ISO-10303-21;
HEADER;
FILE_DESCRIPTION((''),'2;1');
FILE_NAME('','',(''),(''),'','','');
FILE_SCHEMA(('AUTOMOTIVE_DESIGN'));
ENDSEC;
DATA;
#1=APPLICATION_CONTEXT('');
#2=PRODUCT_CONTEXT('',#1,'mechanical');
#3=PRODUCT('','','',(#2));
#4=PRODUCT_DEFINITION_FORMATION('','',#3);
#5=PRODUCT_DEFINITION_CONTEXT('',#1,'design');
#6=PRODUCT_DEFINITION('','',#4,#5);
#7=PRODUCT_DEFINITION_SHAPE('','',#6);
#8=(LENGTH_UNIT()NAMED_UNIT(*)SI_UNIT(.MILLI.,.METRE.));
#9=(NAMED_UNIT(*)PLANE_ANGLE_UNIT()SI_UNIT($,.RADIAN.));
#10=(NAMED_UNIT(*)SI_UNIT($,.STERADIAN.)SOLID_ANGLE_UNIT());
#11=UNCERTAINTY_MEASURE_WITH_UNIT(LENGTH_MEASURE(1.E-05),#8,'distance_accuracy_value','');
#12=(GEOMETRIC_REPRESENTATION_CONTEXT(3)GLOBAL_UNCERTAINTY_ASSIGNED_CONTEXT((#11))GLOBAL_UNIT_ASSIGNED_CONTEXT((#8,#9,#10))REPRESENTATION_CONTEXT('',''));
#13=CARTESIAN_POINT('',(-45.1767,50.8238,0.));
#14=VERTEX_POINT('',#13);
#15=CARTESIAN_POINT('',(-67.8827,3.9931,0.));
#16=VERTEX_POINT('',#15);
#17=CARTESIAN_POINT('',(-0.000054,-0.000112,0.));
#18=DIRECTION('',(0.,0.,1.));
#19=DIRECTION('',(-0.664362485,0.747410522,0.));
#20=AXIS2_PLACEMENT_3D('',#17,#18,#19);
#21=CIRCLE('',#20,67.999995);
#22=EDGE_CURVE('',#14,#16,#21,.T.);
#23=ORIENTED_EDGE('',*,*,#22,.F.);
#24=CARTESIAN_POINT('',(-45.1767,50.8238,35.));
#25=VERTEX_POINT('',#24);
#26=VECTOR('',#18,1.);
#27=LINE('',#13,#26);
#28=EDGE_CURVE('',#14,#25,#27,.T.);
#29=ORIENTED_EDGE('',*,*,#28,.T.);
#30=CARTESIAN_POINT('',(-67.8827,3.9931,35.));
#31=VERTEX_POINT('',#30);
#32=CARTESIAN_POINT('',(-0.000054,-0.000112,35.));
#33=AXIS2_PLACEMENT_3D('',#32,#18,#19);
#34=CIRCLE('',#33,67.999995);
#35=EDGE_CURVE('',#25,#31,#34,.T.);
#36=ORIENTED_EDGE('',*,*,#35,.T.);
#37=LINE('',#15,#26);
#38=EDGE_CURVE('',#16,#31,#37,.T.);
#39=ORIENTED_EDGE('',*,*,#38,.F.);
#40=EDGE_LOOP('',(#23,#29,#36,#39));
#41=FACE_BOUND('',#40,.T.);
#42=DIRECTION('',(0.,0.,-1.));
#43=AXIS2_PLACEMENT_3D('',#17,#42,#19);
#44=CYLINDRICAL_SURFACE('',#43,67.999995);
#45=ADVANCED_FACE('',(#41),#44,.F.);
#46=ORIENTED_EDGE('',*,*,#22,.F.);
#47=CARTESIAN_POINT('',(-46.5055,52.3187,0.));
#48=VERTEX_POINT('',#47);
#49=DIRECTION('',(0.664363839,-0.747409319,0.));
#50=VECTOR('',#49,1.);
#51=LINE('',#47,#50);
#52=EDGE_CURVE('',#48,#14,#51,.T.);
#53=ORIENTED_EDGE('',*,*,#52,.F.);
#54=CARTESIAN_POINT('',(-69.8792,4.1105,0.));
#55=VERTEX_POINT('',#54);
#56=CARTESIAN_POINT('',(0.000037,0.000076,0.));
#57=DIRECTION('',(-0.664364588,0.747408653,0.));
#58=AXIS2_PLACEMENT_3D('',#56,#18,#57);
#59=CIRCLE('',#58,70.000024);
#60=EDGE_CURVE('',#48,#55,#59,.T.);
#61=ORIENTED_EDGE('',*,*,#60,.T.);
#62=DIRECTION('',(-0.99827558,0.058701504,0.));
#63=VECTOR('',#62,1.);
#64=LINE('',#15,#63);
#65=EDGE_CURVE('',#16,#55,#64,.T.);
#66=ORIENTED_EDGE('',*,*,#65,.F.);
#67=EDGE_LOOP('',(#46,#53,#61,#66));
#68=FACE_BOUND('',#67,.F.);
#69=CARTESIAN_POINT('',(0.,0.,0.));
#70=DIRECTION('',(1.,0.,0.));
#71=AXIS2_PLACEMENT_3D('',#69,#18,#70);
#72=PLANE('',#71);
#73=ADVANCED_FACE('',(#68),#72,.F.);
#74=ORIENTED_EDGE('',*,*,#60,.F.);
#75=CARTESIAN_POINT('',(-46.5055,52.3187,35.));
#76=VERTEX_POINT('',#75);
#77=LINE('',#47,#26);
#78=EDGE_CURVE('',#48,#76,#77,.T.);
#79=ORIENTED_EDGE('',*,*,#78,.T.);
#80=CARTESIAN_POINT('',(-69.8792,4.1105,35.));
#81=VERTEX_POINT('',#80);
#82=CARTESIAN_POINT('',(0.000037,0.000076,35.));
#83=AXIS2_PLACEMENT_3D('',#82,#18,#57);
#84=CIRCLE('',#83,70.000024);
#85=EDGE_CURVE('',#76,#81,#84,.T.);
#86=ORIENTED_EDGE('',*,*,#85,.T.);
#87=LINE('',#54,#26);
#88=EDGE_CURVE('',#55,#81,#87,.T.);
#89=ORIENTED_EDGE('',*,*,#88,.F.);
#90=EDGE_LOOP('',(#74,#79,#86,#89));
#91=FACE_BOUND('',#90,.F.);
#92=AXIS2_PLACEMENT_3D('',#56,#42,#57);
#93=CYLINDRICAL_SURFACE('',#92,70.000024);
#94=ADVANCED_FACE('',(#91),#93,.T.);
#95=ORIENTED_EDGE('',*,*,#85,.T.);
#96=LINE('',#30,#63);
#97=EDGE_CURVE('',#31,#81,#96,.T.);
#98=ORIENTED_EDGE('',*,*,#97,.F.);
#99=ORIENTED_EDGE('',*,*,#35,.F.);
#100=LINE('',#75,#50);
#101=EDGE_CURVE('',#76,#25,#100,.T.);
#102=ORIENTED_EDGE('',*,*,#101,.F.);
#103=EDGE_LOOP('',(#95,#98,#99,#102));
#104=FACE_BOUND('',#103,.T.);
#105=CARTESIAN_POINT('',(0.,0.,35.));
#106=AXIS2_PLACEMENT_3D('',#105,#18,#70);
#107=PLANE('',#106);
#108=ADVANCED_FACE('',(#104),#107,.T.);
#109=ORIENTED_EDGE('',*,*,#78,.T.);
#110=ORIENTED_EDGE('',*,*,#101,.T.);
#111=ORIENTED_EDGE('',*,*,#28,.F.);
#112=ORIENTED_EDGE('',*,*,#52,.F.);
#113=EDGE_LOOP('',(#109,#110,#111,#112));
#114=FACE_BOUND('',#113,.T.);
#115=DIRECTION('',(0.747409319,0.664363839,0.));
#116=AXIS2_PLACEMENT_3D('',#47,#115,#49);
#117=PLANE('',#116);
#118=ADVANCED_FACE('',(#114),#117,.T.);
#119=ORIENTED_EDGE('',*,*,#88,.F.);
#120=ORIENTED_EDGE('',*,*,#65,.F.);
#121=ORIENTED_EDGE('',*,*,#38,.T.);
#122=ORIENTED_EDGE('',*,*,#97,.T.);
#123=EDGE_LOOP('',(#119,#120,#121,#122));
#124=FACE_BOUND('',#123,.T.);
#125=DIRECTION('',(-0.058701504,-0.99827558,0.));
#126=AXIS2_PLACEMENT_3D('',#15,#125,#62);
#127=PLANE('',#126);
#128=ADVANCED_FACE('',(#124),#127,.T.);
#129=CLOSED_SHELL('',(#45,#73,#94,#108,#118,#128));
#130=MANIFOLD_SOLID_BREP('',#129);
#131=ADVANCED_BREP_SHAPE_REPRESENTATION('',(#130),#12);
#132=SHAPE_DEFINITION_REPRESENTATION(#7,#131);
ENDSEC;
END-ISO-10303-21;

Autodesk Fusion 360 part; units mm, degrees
sketch "Sketch1" plane through (0, 0, 0) normal (0, 0, 1) x (1, 0, 0)
  arc A0 (-45.1767, 50.8238) -> (-67.8827, 3.9931) centre (0, 0) ccw
  line L0 (0, 0) -> (-45.1767, 50.8238) construction
  line L1 (0, 0) -> (-67.8827, 3.9931) construction
  arc A1 (-46.5055, 52.3187) -> (-69.8792, 4.1105) centre (0, 0) ccw
  line L2 (0, 0) -> (-46.5055, 52.3187) construction
  line L3 (0, 0) -> (-69.8792, 4.1105) construction
  line L4 (-46.5055, 52.3187) -> (-45.1767, 50.8238)
  line L5 (-67.8827, 3.9931) -> (-69.8792, 4.1105)
  dimension "d1" = 68
  dimension "d2" = 45
  dimension "d3" = 70
  dimension "d4" = 45
extrude "Extrude1" add sketch "Sketch1" along normal blind 35
